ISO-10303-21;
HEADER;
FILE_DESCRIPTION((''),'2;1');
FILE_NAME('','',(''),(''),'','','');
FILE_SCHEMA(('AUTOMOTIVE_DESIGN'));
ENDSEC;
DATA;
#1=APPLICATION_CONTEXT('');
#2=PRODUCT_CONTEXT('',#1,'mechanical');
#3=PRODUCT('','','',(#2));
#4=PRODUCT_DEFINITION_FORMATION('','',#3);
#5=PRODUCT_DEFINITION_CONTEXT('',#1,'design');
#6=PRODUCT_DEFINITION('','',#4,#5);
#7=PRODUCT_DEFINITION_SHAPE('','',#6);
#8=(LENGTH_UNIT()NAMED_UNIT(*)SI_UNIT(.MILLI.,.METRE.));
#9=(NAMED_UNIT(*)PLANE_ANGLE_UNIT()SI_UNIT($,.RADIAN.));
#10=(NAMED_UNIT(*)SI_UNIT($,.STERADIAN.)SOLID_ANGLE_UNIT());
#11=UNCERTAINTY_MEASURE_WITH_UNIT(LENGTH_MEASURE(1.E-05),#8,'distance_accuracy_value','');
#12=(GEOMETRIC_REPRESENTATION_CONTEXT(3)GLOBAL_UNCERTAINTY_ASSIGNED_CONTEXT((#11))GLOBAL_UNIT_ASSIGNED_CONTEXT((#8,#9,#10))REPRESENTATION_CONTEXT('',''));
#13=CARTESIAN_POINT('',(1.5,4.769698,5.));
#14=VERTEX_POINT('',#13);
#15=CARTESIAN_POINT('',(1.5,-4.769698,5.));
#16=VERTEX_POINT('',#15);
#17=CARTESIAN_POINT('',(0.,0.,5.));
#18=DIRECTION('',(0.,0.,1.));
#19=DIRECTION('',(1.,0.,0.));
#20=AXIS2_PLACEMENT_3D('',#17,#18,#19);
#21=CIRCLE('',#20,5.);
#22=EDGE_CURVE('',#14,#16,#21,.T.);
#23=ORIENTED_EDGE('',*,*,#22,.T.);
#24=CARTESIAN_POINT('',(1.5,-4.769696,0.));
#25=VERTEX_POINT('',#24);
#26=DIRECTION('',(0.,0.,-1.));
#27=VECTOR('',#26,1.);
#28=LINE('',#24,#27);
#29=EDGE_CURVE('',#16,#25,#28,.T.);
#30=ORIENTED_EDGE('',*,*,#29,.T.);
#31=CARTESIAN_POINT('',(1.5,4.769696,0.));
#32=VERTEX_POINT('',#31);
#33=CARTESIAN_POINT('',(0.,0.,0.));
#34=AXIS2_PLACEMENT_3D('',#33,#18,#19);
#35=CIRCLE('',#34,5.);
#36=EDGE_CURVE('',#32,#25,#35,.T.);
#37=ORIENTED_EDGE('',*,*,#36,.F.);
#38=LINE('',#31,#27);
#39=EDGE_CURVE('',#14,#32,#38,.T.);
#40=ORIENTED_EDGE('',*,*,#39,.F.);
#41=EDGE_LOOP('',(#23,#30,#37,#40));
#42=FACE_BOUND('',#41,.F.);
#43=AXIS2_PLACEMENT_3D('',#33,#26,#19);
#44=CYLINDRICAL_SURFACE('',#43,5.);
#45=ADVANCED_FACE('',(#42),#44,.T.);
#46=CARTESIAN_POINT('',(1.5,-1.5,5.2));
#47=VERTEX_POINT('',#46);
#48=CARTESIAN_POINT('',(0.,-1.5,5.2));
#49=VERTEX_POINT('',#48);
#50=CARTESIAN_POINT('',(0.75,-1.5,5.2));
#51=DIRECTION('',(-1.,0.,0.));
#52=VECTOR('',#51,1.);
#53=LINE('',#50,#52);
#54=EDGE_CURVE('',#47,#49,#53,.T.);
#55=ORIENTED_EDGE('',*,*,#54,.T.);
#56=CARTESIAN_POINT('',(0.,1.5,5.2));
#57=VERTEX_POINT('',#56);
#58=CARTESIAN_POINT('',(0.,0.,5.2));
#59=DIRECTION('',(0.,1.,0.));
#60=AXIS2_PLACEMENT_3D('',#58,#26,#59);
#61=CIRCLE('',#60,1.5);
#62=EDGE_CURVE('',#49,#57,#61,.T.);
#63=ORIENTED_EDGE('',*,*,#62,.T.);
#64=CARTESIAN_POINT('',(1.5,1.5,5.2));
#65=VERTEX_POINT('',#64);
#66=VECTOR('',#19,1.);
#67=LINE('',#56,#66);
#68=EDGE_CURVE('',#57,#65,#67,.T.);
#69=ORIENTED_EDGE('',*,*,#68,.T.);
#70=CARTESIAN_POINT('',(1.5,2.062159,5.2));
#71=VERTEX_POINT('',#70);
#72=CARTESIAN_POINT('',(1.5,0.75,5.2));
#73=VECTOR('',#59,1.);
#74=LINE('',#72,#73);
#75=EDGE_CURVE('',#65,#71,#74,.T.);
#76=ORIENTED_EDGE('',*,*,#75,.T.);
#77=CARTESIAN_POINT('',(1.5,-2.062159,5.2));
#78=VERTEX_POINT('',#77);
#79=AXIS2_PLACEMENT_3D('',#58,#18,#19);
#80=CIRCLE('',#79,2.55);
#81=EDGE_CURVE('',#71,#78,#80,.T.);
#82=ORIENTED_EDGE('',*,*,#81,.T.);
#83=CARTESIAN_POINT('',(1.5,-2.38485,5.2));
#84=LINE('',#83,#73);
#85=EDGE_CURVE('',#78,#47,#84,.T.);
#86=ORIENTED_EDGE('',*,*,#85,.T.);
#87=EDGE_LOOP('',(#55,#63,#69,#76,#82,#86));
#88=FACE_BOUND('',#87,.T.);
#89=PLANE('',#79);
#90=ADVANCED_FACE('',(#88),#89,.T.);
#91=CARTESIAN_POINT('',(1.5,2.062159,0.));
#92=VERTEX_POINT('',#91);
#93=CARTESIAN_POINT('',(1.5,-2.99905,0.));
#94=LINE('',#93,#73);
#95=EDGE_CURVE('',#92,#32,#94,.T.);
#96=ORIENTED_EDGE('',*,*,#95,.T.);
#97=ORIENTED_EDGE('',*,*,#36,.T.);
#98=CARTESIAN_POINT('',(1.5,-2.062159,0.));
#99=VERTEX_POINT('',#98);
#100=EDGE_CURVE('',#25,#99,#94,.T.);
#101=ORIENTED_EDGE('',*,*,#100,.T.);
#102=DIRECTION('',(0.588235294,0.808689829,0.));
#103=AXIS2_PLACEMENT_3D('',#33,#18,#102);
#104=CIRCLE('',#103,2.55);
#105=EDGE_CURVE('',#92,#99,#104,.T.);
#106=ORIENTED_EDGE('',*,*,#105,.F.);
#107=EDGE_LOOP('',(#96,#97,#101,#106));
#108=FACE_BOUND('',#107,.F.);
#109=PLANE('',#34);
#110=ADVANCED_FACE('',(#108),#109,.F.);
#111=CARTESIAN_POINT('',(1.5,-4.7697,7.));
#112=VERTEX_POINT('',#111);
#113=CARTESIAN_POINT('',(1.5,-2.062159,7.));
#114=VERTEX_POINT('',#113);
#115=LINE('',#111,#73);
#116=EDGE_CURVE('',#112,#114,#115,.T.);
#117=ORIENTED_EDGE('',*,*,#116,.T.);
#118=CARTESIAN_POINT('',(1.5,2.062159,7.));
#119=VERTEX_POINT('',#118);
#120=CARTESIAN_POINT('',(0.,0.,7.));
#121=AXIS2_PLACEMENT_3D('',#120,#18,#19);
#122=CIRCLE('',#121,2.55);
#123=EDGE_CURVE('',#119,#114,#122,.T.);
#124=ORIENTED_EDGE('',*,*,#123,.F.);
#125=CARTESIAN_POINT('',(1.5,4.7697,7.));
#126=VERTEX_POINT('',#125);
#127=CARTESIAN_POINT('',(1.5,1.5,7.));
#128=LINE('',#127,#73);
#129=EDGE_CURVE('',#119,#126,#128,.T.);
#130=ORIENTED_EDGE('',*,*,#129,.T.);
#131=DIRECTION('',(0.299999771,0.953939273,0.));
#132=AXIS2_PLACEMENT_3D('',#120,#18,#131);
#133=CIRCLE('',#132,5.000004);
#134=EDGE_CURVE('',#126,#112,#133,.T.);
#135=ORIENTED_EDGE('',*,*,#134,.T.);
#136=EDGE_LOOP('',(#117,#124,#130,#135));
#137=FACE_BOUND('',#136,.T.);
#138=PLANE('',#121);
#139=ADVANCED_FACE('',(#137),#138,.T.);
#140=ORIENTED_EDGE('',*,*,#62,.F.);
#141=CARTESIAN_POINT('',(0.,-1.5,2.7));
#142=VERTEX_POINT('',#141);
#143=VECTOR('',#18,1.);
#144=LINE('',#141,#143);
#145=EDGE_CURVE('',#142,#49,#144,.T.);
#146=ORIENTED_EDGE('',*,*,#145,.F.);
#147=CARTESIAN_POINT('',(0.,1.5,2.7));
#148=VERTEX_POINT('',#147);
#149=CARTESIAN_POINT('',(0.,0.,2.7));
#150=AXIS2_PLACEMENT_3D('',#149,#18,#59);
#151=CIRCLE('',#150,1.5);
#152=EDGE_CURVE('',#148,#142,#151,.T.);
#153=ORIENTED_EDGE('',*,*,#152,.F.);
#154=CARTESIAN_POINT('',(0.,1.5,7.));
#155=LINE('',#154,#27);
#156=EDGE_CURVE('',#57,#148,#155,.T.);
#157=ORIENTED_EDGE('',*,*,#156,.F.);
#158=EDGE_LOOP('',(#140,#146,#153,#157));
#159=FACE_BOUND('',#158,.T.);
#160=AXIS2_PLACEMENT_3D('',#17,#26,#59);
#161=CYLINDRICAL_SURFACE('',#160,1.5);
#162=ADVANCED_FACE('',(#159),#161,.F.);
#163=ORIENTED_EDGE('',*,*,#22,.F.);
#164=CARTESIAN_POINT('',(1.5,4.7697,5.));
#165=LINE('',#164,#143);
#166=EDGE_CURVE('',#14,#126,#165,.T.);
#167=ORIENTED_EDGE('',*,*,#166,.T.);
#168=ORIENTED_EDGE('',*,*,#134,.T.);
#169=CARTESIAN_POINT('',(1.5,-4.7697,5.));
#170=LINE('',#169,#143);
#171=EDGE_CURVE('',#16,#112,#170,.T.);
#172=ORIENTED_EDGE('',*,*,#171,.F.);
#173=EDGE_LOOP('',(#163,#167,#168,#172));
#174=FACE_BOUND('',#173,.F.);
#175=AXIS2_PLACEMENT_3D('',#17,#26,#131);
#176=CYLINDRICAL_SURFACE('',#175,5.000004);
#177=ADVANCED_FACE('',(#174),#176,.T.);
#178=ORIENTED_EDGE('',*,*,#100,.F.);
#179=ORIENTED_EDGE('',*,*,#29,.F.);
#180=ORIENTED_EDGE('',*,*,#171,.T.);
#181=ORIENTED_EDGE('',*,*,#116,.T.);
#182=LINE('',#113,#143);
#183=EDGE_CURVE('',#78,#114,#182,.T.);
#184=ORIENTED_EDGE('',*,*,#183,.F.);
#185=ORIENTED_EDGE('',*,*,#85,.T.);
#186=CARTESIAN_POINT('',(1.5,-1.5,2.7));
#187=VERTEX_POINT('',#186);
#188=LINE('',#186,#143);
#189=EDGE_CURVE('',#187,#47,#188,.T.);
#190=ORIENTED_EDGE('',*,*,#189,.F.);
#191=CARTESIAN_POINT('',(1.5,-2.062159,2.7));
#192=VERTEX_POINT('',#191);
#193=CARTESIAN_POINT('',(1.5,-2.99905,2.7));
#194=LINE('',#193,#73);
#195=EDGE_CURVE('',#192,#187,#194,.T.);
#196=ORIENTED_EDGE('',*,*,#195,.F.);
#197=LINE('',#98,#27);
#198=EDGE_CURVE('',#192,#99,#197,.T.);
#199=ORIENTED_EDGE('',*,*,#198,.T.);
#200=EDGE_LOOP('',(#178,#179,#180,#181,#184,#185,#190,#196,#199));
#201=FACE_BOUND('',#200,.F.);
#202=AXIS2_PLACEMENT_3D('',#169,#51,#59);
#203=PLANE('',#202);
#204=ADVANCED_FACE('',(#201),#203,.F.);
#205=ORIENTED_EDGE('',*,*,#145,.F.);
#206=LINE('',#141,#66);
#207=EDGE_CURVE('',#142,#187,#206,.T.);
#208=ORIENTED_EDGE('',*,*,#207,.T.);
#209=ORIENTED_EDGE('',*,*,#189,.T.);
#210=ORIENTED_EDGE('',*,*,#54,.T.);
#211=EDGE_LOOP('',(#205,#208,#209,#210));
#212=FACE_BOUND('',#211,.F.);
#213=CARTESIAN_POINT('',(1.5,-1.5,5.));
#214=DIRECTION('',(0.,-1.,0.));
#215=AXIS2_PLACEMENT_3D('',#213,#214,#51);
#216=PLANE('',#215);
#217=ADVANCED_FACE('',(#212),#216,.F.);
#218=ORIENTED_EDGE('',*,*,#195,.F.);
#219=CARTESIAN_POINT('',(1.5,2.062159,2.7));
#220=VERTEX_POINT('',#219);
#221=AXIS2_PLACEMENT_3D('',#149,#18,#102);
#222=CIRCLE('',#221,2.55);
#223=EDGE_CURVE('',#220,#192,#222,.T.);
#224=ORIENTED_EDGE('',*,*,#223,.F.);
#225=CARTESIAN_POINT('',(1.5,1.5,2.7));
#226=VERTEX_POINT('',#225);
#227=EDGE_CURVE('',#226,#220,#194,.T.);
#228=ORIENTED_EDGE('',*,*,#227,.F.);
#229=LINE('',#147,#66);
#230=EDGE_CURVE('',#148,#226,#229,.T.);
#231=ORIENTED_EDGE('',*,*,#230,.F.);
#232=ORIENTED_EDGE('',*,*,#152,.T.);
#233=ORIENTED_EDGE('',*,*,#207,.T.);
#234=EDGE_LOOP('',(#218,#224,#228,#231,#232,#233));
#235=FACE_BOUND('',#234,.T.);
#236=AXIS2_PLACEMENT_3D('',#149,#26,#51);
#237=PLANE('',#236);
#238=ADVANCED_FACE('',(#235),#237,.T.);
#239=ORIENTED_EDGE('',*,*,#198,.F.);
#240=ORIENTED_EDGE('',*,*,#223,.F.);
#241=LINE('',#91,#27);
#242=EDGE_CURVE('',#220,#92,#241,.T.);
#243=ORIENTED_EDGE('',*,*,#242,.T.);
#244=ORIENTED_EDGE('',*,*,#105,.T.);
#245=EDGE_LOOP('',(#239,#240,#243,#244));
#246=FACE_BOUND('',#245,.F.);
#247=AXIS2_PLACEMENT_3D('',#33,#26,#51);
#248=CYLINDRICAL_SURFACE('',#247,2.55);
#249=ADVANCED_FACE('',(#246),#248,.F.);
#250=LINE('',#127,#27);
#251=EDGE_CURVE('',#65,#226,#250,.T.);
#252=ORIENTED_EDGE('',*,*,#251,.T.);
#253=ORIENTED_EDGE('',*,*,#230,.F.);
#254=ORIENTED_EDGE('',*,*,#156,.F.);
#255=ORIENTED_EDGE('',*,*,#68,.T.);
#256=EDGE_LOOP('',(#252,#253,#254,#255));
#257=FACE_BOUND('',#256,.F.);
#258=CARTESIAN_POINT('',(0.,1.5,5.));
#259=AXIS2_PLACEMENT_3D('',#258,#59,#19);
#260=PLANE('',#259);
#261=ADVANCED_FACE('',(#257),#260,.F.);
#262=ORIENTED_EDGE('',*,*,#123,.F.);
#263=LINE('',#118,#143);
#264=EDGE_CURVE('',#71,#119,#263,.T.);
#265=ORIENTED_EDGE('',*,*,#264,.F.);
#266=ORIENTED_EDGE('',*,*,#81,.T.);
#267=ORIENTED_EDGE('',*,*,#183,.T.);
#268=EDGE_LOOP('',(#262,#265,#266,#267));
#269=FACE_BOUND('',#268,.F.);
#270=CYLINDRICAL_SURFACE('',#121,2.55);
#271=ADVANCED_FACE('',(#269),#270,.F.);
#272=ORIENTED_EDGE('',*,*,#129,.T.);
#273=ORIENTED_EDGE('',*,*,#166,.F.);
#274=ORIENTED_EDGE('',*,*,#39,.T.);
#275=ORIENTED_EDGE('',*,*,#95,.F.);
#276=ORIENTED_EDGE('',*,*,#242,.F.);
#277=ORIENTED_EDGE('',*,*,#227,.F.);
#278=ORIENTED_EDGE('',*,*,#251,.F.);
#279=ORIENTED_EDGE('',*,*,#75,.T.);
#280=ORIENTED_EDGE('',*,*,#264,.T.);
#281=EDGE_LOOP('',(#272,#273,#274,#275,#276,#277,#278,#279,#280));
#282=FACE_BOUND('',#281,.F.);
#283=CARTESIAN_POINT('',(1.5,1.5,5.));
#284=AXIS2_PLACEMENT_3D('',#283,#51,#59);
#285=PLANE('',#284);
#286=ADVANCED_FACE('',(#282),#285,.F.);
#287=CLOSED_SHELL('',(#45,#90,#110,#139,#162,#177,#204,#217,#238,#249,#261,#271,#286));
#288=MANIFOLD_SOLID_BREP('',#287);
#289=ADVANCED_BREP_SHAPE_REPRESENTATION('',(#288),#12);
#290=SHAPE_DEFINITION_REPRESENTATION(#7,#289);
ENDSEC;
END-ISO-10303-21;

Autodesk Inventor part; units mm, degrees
ref_plane "YZ Plane" through (0, 0, 0) normal (1, 0, 0) x (0, 1, 0)
ref_plane "XZ Plane" through (0, 0, 0) normal (0, 1, 0) x (-1, 0, 0)
ref_plane "XY Plane" through (0, 0, 0) normal (0, 0, 1) x (1, 0, 0)
sketch "Sketch1" plane through (0, 0, 0) normal (0, 0, 1) x (1, 0, 0)
  circle A0 centre (0, 0) radius 5
  dimension "d0" = 10
extrude "Extrusion1" add sketch "Sketch1" along normal blind 5
sketch "Sketch2" plane through (0, 0, 5) normal (0, 0, 1) x (1, 0, 0)
  circle A0 centre (0, 0) radius 5 projected
  arc A1 (0, 1.5) -> (0, -1.5) centre (0, 0) ccw
  line L0 (0, 1.5) -> (4.7697, 1.5)
  line L1 (0, -1.5) -> (4.7697, -1.5)
  arc A2 (4.7697, -1.5) -> (4.7697, 1.5) centre (0, 0) ccw
  dimension "d3" = 3
extrude "Extrusion2" cut sketch "Sketch2" against normal through all contours A0 L1 A1 L0 picked at (1.6667, 0)
sketch "Sketch3" plane through (0, 0, 5) normal (0, 0, 1) x (1, 0, 0)
  arc A0 (0, 1.5) -> (0, -1.5) centre (0, 0) ccw projected
  line L0 (1.5, 5.5246) -> (5.604, 5.5246)
  line L1 (5.604, 5.5246) -> (5.604, -5.9981)
  line L2 (5.604, -5.9981) -> (1.5, -5.9981)
  line L3 (1.5, -5.9981) -> (1.5, 5.5246)
  dimension "d6" = 1.5
extrude "Extrusion3" cut sketch "Sketch3" against normal through all
sketch "Sketch4" plane through (0, 0, 0) normal (0, 0, -1) x (-1, 0, 0)
  arc A0 (0, -1.5) -> (0, 1.5) centre (0, 0) ccw projected
  circle A1 centre (0, 0) radius 2.55
  dimension "d9" = 5.1
extrude "Extrusion4" cut sketch "Sketch4" against normal blind 2.7
sketch "Sketch5" plane through (0, 0, 5) normal (0, 0, 1) x (1, 0, 0)
  line L0 (1.5, -4.7697) -> (1.5, -1.5) projected
  line L1 (1.5, -1.5) -> (0, -1.5) projected
  arc A0 (0, 1.5) -> (0, -1.5) centre (0, 0) ccw projected
  line L2 (0, 1.5) -> (1.5, 1.5) projected
  line L3 (1.5, 1.5) -> (1.5, 4.7697) projected
  arc A1 (1.5, 4.7697) -> (1.5, -4.7697) centre (0, 0) ccw projected
extrude "Extrusion5" add sketch "Sketch5" along normal blind 2
sketch "Sketch6" plane through (0, 0, 7) normal (0, 0, 1) x (1, 0, 0)
  arc A0 (1.5, 4.7697) -> (1.5, -4.7697) centre (0, 0) ccw projected
  circle A1 centre (0, 0) radius 2.55
  dimension "d18" = 5.1
extrude "Extrusion6" cut sketch "Sketch6" against normal blind 1.8
properties part number "Jig_Bearing_Asm_Holder"
